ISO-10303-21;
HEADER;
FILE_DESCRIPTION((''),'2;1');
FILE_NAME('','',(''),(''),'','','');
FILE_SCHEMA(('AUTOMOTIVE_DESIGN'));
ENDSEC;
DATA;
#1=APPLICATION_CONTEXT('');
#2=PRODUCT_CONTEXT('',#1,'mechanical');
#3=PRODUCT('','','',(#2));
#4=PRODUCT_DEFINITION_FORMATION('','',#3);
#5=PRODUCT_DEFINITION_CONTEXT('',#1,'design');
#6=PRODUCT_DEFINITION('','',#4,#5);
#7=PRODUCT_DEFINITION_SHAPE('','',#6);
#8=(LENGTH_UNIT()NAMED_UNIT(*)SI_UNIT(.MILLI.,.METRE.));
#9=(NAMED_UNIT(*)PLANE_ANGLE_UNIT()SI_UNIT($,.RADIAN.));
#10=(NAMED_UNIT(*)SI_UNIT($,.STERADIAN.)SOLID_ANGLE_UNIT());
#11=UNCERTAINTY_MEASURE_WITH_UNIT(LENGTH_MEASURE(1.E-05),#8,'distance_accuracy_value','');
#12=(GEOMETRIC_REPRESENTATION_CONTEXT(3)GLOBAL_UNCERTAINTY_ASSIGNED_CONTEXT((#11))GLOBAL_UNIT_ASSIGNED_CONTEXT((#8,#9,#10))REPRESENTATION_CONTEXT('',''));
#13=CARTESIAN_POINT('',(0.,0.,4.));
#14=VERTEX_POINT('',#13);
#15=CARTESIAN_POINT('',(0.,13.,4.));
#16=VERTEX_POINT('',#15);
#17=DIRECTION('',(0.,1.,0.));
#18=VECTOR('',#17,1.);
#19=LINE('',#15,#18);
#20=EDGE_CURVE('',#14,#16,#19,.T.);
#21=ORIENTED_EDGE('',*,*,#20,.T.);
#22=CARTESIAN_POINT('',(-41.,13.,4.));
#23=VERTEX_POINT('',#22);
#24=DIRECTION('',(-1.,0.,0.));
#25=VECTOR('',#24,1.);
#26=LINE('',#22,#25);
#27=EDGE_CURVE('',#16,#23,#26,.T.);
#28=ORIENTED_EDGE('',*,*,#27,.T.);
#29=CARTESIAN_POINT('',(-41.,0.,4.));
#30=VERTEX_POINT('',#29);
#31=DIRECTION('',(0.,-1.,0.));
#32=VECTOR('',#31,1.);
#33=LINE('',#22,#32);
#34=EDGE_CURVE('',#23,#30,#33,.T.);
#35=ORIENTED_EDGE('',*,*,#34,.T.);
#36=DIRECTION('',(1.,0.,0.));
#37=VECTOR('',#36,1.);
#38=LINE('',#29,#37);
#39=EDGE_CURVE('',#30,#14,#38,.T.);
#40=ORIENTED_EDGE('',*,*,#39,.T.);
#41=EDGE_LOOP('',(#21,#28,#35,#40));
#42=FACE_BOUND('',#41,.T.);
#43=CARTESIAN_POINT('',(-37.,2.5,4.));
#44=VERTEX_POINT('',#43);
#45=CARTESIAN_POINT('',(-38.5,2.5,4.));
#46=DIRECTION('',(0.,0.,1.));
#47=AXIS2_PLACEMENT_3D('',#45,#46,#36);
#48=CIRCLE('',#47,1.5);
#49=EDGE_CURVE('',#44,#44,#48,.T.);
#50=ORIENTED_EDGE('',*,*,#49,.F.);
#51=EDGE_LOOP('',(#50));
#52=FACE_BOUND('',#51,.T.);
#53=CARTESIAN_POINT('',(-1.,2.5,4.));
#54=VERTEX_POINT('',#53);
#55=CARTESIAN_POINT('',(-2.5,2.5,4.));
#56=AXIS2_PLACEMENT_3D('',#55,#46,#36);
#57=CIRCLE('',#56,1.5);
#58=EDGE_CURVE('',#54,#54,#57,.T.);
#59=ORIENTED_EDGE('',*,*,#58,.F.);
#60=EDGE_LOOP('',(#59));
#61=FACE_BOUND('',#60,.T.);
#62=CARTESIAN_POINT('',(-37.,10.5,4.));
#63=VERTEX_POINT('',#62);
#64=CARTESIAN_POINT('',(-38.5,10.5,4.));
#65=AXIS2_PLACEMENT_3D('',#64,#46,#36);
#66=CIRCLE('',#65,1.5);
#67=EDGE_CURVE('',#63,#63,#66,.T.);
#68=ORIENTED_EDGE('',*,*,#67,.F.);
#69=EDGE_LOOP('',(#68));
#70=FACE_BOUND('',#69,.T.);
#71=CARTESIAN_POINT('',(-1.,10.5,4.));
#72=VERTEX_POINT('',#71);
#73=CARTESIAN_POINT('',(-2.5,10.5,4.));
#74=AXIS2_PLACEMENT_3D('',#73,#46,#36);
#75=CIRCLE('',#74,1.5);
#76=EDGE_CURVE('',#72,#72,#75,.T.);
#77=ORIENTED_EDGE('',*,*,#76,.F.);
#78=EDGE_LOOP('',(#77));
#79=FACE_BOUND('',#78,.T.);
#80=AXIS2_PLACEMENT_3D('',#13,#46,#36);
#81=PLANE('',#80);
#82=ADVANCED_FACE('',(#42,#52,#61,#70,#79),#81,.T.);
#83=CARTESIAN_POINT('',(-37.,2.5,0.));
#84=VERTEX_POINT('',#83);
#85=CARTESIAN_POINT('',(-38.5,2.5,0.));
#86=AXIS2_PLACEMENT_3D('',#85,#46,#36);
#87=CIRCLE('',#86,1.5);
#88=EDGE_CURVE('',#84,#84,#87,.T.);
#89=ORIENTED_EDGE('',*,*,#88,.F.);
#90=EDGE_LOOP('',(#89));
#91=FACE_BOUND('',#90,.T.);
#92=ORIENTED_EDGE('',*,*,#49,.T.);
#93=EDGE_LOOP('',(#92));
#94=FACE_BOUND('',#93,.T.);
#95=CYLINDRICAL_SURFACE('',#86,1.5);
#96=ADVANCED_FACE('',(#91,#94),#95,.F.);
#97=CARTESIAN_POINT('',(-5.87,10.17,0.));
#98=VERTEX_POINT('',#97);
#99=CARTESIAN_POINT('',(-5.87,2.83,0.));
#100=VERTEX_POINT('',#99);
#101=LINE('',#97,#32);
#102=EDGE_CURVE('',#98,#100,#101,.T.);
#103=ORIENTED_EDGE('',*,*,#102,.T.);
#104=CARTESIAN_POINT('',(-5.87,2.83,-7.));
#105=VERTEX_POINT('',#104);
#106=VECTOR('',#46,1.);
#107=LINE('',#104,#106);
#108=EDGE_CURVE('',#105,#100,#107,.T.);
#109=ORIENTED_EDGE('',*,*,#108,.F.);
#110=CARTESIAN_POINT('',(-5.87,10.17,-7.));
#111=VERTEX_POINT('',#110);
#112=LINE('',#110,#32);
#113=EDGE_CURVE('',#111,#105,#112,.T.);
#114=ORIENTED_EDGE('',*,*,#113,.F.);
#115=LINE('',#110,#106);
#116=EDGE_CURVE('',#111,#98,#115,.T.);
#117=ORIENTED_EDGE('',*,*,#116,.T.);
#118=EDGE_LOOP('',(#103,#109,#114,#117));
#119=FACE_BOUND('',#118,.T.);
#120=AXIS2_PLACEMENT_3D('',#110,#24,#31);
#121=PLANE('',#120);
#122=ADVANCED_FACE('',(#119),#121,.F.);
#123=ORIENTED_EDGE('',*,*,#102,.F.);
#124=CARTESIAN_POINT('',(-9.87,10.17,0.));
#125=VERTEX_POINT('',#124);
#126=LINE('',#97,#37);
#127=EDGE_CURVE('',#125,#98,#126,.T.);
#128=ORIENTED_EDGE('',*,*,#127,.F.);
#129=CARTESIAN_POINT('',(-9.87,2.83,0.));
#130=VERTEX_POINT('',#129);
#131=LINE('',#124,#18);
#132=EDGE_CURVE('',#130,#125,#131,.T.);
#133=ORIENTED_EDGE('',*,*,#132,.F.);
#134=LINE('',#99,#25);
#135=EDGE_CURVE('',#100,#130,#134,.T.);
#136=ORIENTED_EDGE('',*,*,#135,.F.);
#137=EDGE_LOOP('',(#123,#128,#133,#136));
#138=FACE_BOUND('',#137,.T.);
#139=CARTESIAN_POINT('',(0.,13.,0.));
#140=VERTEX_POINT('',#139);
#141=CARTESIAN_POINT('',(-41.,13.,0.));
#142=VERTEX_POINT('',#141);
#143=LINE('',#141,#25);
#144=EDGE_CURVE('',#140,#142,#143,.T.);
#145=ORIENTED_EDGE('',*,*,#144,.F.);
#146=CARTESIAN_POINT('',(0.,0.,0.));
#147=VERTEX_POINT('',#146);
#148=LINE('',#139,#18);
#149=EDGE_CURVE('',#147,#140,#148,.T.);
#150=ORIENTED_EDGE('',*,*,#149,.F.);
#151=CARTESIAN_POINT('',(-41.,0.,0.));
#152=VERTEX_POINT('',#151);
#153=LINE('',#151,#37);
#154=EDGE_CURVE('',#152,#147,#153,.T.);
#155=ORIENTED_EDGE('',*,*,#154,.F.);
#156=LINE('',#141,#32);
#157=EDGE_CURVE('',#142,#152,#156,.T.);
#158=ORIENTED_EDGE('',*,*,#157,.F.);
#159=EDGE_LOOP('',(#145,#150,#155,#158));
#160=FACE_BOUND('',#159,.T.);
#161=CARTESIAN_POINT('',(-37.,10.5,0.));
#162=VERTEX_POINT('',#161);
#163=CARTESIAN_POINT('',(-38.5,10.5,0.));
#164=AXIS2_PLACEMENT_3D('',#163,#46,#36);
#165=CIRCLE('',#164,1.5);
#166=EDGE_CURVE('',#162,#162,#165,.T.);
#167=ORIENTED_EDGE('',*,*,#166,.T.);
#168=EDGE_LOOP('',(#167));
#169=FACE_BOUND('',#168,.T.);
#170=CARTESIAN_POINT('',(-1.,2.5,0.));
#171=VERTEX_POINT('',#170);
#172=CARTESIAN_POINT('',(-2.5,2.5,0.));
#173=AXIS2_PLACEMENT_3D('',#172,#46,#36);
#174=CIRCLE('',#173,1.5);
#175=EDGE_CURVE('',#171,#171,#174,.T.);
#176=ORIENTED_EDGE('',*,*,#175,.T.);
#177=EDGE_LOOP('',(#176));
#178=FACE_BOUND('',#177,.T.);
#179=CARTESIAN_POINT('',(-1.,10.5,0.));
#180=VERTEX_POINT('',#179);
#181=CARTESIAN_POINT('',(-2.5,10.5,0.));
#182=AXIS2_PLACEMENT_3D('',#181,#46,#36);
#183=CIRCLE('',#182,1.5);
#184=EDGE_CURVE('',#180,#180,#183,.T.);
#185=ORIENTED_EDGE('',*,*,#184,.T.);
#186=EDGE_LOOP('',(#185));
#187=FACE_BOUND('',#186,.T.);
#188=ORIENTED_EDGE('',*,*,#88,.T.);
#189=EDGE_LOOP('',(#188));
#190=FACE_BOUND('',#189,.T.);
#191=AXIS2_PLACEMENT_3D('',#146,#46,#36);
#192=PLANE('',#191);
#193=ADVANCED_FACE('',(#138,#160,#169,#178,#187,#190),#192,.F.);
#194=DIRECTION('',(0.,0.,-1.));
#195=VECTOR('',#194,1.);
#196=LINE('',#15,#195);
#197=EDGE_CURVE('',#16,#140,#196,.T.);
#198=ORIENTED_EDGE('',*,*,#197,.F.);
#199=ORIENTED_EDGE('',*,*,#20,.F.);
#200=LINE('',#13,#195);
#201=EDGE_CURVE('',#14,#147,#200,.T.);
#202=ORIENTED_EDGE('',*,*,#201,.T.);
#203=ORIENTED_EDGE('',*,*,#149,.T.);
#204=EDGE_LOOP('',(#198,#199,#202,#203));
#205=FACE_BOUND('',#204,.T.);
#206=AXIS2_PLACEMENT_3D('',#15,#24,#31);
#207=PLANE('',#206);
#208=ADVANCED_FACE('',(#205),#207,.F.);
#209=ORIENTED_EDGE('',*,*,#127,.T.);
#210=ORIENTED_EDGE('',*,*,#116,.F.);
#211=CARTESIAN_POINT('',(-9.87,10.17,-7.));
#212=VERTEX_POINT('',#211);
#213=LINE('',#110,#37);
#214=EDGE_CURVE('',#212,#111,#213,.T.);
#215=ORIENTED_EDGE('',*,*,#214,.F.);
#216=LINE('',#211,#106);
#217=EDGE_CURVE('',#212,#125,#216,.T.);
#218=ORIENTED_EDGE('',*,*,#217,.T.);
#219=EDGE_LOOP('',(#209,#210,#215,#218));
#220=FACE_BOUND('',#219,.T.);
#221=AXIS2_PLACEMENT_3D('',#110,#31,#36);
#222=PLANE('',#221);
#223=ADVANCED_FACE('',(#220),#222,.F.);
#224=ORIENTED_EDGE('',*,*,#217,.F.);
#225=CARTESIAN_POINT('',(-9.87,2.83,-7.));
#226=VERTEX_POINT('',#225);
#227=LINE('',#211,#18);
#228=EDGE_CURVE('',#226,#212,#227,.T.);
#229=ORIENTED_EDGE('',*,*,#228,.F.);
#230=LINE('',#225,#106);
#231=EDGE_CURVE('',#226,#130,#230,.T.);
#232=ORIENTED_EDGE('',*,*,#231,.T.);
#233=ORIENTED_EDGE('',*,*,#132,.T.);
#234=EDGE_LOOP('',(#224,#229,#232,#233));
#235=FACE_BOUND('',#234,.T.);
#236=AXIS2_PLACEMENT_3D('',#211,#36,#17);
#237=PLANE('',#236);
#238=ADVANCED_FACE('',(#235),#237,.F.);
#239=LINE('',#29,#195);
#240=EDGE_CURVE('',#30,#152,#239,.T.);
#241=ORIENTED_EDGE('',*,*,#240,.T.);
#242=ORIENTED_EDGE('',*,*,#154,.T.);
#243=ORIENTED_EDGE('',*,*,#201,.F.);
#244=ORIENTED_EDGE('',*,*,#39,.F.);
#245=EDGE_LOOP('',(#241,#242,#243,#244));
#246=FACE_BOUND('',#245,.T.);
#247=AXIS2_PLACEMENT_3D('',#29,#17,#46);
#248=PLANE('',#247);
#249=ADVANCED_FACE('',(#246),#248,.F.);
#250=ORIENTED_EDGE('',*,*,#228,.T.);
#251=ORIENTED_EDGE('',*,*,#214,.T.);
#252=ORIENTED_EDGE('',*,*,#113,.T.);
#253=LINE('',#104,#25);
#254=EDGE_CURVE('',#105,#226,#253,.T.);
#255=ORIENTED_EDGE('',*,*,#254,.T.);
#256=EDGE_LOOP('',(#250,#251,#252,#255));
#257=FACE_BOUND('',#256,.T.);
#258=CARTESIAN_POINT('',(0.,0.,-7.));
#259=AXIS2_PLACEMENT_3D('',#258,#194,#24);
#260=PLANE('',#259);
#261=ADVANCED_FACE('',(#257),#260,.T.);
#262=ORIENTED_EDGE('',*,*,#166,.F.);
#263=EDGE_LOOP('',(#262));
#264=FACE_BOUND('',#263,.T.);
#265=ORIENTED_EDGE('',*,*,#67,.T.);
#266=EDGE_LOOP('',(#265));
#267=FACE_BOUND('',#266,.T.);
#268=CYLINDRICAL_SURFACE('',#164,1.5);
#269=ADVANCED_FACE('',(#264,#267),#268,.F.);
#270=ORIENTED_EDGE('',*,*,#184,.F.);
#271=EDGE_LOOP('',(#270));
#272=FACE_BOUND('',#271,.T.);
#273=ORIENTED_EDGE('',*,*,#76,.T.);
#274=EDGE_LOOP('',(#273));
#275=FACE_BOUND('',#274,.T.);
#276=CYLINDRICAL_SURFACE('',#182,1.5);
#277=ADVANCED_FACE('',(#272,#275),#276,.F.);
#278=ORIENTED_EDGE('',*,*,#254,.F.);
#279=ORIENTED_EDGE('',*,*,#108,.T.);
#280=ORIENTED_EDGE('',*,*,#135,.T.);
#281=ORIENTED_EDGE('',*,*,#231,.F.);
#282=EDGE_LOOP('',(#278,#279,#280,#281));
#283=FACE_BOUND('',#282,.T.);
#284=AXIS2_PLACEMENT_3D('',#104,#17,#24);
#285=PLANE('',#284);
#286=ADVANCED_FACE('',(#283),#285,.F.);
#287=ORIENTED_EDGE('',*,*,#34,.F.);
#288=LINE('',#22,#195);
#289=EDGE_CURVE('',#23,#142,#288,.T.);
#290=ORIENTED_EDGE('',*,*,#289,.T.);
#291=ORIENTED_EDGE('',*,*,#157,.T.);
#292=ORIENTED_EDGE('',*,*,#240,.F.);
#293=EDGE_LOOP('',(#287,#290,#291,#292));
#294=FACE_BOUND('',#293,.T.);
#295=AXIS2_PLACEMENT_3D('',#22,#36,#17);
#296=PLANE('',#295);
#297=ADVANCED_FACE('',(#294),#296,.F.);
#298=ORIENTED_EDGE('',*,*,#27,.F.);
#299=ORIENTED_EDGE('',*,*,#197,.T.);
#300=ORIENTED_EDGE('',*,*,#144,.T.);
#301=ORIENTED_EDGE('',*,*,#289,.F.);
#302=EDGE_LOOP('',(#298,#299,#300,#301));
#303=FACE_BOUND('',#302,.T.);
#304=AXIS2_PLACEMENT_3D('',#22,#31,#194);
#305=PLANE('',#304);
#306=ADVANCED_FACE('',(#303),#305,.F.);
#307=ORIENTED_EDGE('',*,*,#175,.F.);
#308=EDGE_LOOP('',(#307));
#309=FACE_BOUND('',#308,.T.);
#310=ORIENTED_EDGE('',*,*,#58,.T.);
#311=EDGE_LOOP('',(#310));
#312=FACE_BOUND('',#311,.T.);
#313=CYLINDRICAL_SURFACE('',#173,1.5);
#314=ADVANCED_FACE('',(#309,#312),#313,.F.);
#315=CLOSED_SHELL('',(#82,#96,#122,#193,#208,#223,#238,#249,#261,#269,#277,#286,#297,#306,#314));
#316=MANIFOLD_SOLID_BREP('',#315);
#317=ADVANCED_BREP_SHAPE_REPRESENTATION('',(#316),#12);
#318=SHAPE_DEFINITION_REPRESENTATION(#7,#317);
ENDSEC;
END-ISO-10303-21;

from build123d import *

# Parameters (mm, degrees)
CROQUIS1_W              = 41
CROQUIS1_H              = 13
SALIENTE_EXTRUIR1_DEPTH = 4
CROQUIS2_R              = 1.5
CORTAR_EXTRUIR1_DEPTH   = 44.197222133
CROQUIS3_W              = 4
CROQUIS3_H              = 7.34
SALIENTE_EXTRUIR2_DEPTH = 7


with BuildPart() as part:
    # Croquis1 → Saliente-Extruir1 (new body)
    with BuildSketch(Plane.XY):
        with Locations((-20.5, 6.5)):
            Rectangle(CROQUIS1_W, CROQUIS1_H)
    extrude(amount=SALIENTE_EXTRUIR1_DEPTH)

    # Croquis2 → Cortar-Extruir1 (cut, through all)
    with BuildSketch(Plane.XY.offset(4)):
        with Locations((-2.5, 10.5)):
            Circle(CROQUIS2_R)
        with Locations((-2.5, 2.5)):
            Circle(CROQUIS2_R)
        with Locations((-38.5, 10.5)):
            Circle(CROQUIS2_R)
        with Locations((-38.5, 2.5)):
            Circle(CROQUIS2_R)
    extrude(amount=-CORTAR_EXTRUIR1_DEPTH, mode=Mode.SUBTRACT)

    # Croquis3 → Saliente-Extruir2 (add)
    with BuildSketch(Plane(origin=(0, 0, 0), x_dir=(-1, 0, 0), z_dir=(0, 0, -1))):
        with Locations((7.87, 6.5)):
            Rectangle(CROQUIS3_W, CROQUIS3_H)
    extrude(amount=SALIENTE_EXTRUIR2_DEPTH)


solid = part.part
